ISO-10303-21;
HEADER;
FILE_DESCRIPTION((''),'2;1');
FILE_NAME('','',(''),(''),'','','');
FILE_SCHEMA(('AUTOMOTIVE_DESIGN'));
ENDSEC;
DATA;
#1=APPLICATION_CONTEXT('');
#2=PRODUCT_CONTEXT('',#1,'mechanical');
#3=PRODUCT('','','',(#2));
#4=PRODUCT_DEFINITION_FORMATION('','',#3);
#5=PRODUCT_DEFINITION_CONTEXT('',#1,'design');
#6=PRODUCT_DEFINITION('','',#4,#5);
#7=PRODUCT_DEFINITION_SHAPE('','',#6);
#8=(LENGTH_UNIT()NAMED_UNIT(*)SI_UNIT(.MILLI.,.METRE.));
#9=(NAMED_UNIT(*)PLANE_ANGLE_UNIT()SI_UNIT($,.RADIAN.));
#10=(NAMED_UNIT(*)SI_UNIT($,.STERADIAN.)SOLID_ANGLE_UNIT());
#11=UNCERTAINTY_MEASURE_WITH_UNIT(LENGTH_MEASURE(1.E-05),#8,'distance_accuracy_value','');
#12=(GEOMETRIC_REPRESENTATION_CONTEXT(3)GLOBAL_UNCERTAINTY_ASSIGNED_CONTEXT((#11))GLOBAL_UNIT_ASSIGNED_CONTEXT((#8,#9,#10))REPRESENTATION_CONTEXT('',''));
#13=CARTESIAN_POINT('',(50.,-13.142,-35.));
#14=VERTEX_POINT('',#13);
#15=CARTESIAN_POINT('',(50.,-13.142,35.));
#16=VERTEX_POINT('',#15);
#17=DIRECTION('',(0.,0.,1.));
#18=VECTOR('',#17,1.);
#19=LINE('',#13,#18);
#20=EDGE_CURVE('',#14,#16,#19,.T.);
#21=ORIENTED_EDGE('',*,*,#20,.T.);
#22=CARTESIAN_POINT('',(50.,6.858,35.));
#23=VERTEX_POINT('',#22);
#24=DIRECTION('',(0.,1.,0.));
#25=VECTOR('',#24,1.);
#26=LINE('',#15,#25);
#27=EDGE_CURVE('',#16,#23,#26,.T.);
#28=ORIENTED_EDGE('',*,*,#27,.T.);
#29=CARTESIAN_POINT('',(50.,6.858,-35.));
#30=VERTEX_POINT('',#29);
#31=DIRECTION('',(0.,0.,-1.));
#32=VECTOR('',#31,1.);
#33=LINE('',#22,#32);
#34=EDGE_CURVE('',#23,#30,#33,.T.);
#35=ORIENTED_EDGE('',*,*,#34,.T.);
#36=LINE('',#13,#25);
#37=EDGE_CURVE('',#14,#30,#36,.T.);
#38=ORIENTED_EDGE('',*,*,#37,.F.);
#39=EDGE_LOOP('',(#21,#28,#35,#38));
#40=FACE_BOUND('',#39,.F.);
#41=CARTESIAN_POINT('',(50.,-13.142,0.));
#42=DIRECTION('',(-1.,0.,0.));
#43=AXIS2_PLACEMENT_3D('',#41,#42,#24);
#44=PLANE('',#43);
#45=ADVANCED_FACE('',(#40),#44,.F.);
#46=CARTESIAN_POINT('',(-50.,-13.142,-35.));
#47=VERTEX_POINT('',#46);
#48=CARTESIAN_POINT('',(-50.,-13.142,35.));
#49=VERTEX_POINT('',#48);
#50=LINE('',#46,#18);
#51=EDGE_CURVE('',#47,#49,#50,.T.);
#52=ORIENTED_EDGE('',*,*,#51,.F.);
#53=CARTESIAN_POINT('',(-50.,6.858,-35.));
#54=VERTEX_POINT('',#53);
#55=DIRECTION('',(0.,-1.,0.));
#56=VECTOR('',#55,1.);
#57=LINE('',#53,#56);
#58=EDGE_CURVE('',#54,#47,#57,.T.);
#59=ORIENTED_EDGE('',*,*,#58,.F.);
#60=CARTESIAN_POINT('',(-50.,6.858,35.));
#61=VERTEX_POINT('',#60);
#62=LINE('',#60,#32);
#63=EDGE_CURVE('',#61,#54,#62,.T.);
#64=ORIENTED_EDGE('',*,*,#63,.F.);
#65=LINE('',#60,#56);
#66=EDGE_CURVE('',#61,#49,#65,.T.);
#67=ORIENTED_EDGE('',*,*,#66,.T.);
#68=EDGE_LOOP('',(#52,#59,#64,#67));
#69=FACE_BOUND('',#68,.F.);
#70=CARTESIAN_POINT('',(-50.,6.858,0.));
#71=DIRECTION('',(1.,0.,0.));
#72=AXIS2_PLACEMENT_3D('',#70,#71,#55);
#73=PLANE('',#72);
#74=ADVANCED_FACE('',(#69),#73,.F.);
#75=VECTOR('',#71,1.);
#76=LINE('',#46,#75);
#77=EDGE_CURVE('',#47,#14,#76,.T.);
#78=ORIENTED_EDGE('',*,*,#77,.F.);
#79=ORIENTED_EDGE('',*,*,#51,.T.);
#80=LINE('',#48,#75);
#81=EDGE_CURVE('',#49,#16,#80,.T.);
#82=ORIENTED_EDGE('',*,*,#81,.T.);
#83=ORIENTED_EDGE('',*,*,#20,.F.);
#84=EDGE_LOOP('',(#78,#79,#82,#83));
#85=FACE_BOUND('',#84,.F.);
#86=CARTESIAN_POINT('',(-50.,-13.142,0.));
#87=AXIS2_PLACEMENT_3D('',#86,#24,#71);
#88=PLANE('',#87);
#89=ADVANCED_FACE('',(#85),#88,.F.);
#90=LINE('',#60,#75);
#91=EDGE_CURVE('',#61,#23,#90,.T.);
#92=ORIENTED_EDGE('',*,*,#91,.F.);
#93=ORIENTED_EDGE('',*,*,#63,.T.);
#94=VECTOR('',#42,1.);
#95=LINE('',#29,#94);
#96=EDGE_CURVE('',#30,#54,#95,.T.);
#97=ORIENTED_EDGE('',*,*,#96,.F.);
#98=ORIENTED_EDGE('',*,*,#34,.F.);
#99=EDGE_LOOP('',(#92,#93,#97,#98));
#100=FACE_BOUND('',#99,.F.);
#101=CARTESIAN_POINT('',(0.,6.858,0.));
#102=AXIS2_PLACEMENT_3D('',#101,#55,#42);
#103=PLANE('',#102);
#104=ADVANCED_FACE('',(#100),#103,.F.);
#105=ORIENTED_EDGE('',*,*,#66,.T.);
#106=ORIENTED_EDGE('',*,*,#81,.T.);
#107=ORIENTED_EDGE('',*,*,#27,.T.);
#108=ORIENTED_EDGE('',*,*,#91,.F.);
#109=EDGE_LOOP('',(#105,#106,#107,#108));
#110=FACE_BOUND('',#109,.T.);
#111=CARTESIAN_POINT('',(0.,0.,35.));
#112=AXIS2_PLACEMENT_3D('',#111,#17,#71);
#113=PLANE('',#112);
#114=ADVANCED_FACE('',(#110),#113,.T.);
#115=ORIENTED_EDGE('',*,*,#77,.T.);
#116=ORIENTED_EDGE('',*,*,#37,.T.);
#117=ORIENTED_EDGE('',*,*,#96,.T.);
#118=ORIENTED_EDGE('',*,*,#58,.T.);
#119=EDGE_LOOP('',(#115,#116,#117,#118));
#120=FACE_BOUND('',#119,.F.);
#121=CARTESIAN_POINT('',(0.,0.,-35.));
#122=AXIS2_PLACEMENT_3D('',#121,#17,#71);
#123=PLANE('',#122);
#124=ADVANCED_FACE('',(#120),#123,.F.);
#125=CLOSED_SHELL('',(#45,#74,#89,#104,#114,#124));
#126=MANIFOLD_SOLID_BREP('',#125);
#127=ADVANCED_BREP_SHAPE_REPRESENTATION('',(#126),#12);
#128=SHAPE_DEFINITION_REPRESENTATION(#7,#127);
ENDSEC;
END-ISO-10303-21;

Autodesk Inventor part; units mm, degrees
ref_plane "YZ Plane" through (0, 0, 0) normal (1, 0, 0) x (0, 1, 0)
ref_plane "XZ Plane" through (0, 0, 0) normal (0, 1, 0) x (-1, 0, 0)
ref_plane "XY Plane" through (0, 0, 0) normal (0, 0, 1) x (1, 0, 0)
sketch "Sketch1" plane through (0, 0, 0) normal (0, 0, 1) x (1, 0, 0)
  line L0 (-50, -13.142) -> (50, -13.142)
  line L1 (50, -13.142) -> (50, 6.858)
  line L2 (50, 6.858) -> (-50, 6.858)
  line L3 (-50, 6.858) -> (-50, -13.142)
  line L4 (0, 6.858) -> (0, 0)
  dimension "d0" = 50
  dimension "d1" = 20
extrude "Extrusion1" add sketch "Sketch1" along normal mid plane 70
properties part number "Small_Sensor"
